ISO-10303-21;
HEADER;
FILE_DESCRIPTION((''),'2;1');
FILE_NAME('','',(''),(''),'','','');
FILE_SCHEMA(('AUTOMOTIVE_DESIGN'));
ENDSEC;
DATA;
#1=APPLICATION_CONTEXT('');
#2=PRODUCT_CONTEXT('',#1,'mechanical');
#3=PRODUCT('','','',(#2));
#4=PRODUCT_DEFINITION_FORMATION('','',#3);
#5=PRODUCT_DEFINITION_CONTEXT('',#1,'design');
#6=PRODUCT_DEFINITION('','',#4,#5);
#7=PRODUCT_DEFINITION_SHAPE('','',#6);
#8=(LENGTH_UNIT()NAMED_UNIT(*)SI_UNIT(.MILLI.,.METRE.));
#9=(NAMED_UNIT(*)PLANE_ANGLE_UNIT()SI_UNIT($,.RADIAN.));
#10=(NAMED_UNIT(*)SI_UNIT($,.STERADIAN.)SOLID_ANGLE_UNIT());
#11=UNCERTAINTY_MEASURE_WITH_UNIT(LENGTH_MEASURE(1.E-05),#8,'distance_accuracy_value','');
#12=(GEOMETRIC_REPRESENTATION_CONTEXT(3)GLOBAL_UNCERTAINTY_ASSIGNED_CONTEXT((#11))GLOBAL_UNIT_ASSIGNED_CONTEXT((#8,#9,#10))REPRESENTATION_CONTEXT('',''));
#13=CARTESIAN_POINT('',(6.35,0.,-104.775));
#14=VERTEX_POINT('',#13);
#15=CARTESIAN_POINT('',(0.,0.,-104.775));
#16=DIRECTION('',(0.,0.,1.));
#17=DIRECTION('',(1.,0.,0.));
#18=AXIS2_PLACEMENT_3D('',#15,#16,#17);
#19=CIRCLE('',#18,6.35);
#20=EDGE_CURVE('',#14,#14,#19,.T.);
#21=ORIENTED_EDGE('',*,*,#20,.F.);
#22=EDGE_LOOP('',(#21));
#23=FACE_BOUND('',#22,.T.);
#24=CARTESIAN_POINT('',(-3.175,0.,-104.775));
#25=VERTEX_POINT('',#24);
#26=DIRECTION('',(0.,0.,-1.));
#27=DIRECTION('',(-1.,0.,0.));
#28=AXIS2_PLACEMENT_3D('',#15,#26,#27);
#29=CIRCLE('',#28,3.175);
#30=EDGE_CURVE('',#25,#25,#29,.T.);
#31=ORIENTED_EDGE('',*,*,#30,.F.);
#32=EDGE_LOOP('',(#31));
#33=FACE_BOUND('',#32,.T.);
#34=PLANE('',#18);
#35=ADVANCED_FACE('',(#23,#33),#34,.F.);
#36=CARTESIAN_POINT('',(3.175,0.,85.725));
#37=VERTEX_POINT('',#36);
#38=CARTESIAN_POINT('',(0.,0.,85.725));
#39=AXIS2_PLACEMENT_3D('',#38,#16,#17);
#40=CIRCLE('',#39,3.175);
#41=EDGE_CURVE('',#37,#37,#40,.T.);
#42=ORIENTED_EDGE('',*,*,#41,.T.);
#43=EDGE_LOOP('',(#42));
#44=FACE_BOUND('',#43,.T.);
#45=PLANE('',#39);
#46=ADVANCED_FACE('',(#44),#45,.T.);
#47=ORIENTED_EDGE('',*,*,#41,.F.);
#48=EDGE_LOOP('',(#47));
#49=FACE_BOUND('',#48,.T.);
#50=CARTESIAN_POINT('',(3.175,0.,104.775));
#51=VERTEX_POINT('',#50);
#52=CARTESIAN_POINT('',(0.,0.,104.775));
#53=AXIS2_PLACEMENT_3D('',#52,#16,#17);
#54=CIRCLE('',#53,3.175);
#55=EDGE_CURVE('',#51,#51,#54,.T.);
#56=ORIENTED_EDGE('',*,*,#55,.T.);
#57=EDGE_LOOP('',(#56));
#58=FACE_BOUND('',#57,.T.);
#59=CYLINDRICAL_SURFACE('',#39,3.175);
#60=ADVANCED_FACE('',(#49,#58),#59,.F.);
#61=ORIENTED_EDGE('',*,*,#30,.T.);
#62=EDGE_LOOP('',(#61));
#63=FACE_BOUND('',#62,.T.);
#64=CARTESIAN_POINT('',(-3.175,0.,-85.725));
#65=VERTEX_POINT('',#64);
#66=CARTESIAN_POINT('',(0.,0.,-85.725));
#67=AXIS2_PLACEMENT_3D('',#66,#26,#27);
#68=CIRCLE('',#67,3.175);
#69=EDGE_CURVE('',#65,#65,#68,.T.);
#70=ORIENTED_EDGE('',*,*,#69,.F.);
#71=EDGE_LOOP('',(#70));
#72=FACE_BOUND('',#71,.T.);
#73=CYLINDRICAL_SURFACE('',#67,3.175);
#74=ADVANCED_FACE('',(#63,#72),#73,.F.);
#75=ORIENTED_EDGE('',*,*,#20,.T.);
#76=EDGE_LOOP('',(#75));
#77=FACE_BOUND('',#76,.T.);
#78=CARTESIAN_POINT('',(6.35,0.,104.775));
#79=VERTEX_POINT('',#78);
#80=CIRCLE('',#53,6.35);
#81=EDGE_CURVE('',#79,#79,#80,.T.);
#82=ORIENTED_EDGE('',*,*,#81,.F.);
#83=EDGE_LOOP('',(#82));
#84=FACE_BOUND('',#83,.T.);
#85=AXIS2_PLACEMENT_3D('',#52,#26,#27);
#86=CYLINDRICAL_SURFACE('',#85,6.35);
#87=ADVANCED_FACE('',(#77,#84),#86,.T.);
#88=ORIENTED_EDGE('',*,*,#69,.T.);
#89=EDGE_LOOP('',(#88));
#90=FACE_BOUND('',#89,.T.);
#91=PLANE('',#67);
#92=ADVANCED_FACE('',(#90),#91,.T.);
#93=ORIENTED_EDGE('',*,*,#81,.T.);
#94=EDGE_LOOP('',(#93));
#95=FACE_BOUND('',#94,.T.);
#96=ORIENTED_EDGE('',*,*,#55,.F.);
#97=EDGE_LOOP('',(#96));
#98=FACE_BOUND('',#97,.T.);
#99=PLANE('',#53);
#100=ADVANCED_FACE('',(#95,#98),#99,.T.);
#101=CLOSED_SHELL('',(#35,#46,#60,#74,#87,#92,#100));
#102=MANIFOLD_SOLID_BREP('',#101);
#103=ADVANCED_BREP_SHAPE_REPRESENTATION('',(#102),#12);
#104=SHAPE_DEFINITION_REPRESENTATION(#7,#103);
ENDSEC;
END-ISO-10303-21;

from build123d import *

# Parameters (mm, degrees)
SKETCH1_R           = 6.35
BOSS_EXTRUDE1_DEPTH = 104.775
SKETCH3_R           = 3.175
CUT_EXTRUDE1_DEPTH  = 19.05
SKETCH2_R           = 3.175
CUT_EXTRUDE2_DEPTH  = 19.05


with BuildPart() as part:
    # Sketch1 → Boss-Extrude1 (new body, symmetric)
    with BuildSketch(Plane.XY):
        Circle(SKETCH1_R)
    extrude(amount=BOSS_EXTRUDE1_DEPTH, both=True)

    # Sketch3 → Cut-Extrude1 (cut)
    with BuildSketch(Plane(origin=(0, 0, -104.775), x_dir=(-1, 0, 0), z_dir=(0, 0, -1))):
        Circle(SKETCH3_R)
    extrude(amount=-CUT_EXTRUDE1_DEPTH, mode=Mode.SUBTRACT)

    # Sketch2 → Cut-Extrude2 (cut)
    with BuildSketch(Plane.XY.offset(104.775)):
        Circle(SKETCH2_R)
    extrude(amount=-CUT_EXTRUDE2_DEPTH, mode=Mode.SUBTRACT)


solid = part.part
